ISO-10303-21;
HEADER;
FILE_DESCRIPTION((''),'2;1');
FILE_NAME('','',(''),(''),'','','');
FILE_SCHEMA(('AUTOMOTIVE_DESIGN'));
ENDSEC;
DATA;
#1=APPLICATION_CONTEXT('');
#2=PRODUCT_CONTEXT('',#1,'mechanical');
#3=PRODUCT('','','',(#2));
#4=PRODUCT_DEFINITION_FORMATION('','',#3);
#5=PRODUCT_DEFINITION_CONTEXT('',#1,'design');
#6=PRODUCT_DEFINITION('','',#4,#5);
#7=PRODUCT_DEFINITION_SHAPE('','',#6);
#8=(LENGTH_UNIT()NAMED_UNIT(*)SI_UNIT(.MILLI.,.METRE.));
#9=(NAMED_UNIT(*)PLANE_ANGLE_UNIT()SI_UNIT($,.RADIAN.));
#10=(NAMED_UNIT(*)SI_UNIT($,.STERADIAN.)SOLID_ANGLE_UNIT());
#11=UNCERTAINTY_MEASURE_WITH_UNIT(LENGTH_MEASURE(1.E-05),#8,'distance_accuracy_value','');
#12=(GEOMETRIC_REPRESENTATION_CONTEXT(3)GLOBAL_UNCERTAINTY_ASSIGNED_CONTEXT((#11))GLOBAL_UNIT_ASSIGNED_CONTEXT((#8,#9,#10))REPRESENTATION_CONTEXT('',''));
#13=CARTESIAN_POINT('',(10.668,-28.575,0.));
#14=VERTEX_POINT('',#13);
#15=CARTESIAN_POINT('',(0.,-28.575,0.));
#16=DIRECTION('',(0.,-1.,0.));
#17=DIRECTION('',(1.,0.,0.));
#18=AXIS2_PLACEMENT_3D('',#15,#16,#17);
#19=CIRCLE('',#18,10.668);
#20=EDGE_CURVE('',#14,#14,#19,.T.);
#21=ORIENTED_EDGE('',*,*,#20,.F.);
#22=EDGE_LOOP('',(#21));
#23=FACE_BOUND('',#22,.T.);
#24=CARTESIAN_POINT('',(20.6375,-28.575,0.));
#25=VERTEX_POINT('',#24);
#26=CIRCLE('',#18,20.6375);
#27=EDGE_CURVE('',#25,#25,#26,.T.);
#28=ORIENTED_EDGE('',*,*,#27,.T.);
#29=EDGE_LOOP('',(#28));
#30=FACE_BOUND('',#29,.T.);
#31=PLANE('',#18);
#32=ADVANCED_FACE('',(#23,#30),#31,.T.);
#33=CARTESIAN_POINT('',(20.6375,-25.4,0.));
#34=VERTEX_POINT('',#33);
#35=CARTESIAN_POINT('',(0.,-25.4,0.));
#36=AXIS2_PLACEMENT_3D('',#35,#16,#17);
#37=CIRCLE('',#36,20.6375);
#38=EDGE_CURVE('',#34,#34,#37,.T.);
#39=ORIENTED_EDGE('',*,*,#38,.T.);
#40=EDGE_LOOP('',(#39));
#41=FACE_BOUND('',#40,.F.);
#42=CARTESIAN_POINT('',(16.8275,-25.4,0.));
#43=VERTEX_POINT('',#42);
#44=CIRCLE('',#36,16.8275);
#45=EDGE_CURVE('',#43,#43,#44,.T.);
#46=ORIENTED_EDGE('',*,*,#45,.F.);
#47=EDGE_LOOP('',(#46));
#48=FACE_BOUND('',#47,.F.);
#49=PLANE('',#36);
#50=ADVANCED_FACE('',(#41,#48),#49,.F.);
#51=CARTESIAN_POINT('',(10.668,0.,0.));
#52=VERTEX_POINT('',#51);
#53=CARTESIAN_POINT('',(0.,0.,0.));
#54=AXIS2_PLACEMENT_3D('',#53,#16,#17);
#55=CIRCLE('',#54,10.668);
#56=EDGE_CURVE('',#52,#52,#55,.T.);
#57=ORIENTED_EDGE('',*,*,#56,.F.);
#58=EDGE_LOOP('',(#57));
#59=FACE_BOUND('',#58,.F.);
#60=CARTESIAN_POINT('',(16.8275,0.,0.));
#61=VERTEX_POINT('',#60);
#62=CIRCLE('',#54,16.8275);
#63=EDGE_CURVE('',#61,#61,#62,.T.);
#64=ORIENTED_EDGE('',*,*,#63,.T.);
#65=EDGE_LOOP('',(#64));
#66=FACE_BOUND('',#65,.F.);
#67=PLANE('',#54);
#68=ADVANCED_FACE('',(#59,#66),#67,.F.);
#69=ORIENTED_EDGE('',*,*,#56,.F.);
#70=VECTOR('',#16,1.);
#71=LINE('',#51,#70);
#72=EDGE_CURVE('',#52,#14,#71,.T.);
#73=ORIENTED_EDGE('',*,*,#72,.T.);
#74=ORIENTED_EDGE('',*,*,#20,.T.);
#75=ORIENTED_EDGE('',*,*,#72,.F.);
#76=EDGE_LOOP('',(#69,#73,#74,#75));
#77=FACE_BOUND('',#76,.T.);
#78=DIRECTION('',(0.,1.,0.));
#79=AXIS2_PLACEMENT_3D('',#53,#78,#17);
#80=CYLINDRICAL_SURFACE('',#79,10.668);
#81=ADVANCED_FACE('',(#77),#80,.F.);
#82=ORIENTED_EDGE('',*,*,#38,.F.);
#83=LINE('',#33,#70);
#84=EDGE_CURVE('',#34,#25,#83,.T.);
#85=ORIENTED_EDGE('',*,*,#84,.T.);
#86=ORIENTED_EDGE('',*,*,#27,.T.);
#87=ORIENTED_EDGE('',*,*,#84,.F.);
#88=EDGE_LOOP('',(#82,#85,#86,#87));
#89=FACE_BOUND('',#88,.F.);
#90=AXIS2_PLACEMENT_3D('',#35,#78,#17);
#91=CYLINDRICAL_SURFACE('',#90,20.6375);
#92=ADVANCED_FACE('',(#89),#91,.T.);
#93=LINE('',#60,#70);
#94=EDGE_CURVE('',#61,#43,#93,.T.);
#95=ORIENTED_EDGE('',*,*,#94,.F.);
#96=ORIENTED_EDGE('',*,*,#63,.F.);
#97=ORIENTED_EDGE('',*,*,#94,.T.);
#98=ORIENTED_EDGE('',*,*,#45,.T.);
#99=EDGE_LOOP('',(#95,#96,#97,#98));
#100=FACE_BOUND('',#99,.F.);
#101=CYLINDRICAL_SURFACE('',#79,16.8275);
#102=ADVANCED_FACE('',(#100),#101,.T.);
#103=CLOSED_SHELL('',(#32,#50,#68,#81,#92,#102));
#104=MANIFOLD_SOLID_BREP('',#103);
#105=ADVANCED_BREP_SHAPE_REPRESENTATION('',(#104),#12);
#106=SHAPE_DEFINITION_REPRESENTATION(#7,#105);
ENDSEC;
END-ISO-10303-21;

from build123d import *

# Parameters (mm, degrees)
F0_R     = 16.8275
F0_R_2   = 10.668
F1_DEPTH = 28.575
F2_START = 25.4
F0_R_3   = 20.6375
F2_DEPTH = 3.175


with BuildPart() as f1:
    # F0 (on Front) → F1 (new body)
    with BuildSketch(Plane.XZ):
        Circle(F0_R)
        Circle(F0_R_2, mode=Mode.SUBTRACT)
    extrude(amount=F1_DEPTH)

    # F0 (on Front) → F2 (join)
    with BuildSketch(Plane.XZ.offset(F2_START)):
        Circle(F0_R_3)
        Circle(F0_R, mode=Mode.SUBTRACT)
    extrude(amount=F2_DEPTH)


solid = f1.part
